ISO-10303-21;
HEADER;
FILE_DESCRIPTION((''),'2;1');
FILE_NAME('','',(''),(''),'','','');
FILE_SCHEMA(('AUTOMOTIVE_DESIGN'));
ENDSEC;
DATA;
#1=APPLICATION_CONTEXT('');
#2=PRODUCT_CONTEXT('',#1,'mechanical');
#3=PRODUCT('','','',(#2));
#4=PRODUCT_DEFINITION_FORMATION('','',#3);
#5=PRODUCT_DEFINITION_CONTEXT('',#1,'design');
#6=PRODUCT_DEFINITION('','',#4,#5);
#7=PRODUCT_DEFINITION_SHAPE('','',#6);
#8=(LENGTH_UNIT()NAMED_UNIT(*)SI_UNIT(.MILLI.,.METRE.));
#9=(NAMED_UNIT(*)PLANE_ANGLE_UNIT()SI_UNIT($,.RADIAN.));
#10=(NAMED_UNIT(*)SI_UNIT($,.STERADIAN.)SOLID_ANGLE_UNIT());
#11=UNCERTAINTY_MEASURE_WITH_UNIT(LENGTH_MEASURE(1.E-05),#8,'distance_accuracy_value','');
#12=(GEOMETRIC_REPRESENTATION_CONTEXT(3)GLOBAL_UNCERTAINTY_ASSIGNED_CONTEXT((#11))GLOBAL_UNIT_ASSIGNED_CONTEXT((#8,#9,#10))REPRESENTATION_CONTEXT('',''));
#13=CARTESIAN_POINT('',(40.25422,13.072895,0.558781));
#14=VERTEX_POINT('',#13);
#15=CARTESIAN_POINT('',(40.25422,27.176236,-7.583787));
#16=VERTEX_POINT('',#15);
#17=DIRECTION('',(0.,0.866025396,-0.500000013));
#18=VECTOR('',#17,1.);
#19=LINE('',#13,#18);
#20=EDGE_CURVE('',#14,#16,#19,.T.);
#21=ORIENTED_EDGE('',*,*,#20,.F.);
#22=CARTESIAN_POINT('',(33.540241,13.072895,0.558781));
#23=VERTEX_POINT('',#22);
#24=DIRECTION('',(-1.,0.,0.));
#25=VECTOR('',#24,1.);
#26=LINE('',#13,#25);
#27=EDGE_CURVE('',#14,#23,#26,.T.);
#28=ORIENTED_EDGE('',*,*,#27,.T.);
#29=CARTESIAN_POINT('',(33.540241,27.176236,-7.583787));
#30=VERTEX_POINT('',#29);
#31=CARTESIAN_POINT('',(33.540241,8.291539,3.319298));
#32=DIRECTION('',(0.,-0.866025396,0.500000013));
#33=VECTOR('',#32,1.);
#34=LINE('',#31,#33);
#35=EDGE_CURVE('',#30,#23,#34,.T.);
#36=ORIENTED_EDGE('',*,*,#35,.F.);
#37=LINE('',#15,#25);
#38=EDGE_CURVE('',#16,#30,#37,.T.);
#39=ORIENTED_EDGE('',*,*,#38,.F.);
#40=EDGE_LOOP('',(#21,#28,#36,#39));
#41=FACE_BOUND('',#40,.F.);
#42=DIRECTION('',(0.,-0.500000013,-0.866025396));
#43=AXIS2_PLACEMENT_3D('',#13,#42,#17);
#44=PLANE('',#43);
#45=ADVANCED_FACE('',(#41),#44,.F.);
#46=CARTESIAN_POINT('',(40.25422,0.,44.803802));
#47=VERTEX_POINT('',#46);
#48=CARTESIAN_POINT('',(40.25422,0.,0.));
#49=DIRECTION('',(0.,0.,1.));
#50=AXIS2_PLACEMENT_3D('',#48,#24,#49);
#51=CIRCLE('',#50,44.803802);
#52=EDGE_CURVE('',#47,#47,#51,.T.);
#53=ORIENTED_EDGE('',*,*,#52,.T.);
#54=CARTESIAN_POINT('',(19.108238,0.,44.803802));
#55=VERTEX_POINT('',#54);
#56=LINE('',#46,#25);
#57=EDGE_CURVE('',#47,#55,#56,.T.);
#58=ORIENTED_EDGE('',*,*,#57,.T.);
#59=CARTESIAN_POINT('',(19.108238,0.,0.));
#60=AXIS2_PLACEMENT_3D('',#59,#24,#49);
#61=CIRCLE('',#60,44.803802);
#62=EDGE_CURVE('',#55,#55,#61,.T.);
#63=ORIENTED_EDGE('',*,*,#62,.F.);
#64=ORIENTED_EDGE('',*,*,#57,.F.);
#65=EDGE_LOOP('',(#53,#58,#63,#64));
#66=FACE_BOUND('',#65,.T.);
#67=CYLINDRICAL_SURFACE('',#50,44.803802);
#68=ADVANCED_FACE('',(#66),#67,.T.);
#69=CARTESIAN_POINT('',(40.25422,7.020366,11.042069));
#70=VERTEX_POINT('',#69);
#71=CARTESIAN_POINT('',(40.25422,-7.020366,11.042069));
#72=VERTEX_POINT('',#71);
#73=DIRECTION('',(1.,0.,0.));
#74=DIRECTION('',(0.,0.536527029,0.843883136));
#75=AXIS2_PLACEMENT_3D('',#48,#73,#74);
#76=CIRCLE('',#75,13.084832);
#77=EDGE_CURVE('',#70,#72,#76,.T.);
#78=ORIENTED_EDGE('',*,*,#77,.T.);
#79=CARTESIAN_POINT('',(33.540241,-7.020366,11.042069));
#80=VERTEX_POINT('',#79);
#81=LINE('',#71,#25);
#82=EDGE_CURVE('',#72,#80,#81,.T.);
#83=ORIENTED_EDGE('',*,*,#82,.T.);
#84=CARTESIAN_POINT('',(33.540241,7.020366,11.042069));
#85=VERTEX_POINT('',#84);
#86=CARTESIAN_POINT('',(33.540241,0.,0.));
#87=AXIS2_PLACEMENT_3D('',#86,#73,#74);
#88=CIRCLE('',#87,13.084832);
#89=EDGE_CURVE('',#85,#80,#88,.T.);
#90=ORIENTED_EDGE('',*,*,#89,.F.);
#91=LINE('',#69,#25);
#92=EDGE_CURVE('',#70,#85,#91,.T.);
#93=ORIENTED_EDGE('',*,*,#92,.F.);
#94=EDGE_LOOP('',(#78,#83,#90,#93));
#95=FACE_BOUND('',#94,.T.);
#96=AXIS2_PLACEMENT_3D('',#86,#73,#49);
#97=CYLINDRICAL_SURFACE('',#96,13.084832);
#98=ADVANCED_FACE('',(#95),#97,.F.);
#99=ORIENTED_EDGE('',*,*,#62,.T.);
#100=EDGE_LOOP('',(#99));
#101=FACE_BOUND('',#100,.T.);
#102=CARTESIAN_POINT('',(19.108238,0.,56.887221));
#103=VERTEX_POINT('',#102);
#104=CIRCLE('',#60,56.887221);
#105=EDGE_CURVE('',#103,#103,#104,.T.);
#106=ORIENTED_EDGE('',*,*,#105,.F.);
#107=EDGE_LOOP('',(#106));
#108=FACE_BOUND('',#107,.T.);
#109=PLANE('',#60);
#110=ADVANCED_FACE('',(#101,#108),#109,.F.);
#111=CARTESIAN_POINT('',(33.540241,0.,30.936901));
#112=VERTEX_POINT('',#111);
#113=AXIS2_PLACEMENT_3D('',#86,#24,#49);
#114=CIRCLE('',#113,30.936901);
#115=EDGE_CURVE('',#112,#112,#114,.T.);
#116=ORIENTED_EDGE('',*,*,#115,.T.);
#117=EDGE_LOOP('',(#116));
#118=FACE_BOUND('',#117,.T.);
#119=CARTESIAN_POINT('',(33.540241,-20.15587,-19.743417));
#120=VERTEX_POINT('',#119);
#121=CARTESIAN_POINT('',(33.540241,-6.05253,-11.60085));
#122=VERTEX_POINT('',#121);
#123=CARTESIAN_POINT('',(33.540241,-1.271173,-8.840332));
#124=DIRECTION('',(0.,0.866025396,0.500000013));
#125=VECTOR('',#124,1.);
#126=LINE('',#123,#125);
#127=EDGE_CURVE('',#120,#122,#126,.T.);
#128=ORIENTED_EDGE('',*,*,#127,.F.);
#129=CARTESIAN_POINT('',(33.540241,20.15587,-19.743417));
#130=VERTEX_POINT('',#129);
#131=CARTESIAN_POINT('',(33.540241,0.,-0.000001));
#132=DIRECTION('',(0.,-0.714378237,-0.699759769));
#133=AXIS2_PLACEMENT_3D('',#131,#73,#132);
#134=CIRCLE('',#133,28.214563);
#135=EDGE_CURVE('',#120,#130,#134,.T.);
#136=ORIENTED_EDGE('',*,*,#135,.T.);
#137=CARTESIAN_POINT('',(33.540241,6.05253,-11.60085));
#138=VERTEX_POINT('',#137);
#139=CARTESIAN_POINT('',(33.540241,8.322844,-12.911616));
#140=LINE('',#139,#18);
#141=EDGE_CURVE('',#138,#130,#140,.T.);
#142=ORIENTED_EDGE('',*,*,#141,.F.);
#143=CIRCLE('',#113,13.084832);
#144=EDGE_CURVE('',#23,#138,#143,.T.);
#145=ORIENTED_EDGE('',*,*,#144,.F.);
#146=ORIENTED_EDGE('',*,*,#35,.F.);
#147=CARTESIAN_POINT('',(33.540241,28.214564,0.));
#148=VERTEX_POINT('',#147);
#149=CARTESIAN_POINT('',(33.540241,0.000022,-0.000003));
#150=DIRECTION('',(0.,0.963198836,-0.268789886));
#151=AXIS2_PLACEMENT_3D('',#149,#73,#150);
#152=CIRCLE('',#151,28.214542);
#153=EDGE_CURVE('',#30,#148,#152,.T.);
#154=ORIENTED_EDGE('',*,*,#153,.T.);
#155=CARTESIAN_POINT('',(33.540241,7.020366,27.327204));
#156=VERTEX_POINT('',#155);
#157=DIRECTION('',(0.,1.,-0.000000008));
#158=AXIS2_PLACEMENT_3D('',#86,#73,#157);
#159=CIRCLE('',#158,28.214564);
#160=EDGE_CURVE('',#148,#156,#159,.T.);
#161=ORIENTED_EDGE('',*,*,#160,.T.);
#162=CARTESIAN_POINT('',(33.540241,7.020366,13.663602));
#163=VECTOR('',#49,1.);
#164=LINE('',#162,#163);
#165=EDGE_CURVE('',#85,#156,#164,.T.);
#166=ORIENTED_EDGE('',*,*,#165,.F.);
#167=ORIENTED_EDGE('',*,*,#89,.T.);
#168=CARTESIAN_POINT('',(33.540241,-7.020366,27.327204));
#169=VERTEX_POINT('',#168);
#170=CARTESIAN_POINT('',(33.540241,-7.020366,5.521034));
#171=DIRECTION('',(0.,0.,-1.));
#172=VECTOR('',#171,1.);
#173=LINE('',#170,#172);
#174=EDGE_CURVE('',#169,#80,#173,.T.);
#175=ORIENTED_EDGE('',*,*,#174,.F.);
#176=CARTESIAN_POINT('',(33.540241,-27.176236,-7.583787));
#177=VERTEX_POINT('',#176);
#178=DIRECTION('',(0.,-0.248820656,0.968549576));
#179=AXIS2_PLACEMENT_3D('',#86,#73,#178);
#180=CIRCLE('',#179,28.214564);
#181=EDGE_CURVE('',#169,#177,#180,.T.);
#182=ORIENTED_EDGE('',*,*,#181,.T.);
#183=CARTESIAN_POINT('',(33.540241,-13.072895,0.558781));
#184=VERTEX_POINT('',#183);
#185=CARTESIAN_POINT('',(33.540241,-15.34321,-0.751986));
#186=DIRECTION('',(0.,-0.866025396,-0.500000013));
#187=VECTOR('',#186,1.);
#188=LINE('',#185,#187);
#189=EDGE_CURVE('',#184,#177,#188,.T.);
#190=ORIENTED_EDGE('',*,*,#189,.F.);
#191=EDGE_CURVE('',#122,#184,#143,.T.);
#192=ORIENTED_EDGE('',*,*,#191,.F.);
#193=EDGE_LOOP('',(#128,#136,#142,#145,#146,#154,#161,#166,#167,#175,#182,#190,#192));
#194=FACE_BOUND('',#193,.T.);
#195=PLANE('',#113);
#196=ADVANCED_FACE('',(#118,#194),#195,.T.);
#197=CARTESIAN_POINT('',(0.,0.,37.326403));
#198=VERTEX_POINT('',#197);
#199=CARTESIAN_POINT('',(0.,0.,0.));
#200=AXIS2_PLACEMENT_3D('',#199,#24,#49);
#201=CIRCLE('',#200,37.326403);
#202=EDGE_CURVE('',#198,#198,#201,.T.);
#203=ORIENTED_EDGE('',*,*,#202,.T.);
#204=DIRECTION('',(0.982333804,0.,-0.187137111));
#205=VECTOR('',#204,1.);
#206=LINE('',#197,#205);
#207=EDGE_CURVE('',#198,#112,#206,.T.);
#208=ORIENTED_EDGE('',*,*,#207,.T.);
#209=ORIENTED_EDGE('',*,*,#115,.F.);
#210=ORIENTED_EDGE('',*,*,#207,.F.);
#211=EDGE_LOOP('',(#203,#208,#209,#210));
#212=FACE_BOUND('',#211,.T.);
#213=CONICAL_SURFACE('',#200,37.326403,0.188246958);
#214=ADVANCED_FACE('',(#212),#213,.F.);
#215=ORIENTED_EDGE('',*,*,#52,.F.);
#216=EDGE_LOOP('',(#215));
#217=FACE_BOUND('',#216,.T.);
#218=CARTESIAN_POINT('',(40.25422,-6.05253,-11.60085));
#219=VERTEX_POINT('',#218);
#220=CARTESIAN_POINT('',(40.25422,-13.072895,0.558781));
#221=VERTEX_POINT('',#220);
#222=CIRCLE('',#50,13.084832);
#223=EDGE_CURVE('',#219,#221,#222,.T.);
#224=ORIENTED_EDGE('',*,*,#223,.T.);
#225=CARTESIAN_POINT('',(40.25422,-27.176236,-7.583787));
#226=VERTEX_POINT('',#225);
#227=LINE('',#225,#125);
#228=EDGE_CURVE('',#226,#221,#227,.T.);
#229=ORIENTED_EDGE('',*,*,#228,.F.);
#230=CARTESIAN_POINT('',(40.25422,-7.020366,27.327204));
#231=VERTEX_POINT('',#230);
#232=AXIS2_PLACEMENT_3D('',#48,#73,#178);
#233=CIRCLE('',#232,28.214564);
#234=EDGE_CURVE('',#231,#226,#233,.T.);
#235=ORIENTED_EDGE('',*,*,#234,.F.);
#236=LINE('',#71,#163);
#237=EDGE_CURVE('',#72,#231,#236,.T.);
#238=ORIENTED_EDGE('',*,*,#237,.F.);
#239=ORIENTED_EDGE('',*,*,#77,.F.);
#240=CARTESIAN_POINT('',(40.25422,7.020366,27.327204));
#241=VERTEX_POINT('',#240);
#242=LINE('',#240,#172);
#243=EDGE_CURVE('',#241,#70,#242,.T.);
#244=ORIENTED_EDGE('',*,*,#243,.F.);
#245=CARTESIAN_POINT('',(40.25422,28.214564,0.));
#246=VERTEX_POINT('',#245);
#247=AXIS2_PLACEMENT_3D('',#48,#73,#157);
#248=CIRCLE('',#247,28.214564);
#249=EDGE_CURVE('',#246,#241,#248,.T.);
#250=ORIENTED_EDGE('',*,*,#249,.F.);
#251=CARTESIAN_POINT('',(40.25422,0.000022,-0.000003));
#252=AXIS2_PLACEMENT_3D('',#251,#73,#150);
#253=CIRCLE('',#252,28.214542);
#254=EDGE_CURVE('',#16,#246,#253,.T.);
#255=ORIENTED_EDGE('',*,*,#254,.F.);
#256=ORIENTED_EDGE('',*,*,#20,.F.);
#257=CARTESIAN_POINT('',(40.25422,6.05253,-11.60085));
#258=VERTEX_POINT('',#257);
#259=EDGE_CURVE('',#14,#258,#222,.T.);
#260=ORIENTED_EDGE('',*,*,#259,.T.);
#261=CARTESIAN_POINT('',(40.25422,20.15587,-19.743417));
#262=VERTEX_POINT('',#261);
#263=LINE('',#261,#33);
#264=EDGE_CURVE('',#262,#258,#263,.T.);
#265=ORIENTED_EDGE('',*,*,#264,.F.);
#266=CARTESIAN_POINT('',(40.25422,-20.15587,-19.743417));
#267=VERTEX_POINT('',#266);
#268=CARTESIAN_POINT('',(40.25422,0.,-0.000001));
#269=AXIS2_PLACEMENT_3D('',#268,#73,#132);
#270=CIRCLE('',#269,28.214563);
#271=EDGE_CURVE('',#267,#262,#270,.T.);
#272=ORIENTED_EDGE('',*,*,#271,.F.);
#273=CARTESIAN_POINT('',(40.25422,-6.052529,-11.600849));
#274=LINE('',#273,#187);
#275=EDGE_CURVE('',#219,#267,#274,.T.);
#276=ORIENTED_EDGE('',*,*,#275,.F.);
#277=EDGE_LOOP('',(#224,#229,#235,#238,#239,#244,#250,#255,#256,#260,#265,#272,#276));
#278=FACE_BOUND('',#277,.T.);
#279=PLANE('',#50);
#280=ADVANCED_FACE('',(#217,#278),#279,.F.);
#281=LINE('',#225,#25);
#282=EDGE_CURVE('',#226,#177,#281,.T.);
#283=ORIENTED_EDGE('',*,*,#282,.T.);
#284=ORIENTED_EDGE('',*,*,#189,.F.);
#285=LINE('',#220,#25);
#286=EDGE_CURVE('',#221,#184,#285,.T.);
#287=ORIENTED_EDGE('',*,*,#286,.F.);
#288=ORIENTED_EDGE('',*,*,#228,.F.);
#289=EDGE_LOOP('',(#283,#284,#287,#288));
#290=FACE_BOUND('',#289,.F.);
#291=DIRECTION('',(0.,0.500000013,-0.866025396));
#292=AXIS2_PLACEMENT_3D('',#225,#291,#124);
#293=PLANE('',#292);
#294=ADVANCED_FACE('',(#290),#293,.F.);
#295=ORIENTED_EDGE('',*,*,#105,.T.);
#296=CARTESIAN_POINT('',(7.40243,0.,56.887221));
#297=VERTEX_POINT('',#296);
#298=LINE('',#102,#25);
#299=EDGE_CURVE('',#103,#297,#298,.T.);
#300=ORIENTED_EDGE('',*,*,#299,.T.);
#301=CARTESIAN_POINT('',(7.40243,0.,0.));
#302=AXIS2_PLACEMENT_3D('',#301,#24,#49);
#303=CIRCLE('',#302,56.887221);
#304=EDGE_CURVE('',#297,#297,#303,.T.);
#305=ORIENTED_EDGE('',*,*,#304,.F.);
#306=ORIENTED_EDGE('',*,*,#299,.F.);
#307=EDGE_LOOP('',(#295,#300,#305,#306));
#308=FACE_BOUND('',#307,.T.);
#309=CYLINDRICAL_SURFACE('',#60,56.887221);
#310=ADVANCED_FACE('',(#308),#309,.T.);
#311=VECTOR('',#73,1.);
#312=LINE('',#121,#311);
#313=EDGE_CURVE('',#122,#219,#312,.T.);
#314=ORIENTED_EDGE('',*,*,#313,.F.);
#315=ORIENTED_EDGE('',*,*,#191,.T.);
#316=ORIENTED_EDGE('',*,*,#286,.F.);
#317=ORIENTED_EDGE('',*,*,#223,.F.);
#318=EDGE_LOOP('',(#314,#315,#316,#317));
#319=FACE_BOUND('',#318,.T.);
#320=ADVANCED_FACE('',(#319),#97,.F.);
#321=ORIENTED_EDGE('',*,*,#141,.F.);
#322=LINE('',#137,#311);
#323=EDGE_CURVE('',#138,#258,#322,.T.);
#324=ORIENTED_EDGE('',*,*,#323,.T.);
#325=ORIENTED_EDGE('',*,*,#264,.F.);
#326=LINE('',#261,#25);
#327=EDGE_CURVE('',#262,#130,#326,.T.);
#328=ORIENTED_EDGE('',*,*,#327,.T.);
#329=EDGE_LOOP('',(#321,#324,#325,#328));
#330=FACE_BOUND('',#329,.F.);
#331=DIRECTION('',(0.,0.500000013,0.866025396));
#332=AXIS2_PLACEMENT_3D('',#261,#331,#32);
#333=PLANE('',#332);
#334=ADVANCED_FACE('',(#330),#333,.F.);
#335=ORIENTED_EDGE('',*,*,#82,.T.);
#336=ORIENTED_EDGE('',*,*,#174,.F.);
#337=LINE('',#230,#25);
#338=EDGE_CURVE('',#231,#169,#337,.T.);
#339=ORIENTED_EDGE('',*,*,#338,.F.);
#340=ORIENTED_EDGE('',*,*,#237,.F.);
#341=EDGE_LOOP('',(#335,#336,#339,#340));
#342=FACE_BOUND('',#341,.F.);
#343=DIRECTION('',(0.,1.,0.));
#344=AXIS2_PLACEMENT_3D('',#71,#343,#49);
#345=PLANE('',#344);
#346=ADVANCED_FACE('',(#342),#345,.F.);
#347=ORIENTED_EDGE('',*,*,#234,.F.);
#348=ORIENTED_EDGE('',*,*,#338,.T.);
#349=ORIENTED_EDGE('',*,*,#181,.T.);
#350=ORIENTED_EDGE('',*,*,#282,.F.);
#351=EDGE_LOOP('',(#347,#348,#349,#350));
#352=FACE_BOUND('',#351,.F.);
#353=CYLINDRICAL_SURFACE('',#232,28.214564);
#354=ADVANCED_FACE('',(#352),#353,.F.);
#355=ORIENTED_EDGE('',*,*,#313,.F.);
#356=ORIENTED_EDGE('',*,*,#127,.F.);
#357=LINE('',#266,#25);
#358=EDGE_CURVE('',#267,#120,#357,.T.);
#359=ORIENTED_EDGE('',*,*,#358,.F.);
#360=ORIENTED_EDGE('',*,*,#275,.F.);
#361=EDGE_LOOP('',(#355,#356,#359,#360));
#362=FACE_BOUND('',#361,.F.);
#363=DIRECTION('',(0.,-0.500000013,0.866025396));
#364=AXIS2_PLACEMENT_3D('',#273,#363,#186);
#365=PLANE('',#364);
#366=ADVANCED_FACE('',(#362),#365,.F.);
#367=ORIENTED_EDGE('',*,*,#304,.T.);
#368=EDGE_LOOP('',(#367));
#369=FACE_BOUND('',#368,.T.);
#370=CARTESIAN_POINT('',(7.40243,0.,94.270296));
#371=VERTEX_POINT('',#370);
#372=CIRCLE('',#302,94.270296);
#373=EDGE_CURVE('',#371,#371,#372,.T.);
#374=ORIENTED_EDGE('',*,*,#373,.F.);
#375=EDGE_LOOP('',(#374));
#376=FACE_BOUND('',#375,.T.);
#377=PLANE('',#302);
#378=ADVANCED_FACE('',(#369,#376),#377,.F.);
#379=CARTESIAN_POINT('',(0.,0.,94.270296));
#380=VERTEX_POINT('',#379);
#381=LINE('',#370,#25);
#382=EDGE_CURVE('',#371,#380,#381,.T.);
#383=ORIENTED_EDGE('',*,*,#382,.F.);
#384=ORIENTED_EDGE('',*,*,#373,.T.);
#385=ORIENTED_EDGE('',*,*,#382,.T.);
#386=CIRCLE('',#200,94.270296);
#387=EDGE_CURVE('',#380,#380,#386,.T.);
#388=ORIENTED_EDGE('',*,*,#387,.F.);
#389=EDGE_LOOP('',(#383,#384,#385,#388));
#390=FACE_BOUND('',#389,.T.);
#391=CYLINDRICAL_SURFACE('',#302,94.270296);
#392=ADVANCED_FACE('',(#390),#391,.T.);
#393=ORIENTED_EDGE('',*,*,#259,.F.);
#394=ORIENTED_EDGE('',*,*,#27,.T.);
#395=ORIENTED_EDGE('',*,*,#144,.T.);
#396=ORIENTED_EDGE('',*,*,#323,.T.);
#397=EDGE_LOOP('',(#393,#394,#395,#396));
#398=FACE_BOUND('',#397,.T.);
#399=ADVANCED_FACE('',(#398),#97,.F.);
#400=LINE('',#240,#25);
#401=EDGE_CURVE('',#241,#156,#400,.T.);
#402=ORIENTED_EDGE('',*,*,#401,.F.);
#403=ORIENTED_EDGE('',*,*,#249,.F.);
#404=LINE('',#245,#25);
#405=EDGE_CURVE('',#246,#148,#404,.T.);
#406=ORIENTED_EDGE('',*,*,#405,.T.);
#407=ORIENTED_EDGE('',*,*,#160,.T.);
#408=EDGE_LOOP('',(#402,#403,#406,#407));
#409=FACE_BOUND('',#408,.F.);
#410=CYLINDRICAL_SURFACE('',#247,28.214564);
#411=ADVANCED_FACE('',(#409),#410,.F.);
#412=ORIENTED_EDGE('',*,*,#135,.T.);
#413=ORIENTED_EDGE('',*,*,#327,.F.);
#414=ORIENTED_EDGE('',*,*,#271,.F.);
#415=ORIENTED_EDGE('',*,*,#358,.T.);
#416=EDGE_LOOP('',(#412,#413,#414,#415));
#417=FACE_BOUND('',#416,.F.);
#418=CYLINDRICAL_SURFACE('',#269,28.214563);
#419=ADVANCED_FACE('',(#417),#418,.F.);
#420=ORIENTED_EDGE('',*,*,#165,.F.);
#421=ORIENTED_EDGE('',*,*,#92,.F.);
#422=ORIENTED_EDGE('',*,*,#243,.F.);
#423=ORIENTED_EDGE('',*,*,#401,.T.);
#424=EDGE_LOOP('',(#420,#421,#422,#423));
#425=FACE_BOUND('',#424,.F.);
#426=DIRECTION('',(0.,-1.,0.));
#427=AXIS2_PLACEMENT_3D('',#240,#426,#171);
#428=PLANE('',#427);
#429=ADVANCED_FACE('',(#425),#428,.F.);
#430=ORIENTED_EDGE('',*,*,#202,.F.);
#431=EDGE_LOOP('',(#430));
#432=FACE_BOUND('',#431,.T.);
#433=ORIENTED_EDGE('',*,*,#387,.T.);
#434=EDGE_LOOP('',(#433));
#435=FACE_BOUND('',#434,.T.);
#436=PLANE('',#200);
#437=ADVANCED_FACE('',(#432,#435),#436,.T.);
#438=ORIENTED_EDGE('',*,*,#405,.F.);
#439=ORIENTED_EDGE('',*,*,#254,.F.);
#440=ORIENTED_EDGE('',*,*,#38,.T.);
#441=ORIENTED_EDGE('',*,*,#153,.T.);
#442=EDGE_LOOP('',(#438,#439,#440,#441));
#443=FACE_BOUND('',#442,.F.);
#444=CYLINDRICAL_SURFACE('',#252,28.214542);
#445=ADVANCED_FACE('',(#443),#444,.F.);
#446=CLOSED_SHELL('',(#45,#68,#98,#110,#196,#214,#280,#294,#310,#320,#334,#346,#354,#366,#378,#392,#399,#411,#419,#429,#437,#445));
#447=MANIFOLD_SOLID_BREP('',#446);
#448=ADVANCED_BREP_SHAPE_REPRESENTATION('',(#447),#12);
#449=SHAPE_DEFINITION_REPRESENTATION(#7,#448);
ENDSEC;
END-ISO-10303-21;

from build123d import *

# Parameters (mm, degrees)
F3_DEPTH = 40.25522


with BuildPart() as f1:
    # F0 (on Front) → F1 (revolve)
    with BuildSketch(Plane.XZ):
        Polygon((7.40243, 94.270296), (0, 94.270296), (0, 37.326403), (33.540241, 30.936901), (33.540241, 13.084832), (40.25422, 13.084832), (40.25422, 44.803802), (19.108238, 44.803802), (19.108238, 56.887221), (7.40243, 56.887221), align=None)
    revolve(axis=Axis((-91.157697, 0, 0), (-1, 0, 0)))

    # F2 (on face) → F3 (cut, through all)
    with BuildSketch(Plane.YZ.offset(40.25422)):
        with BuildLine():
            Line((-7.020366, 11.042069), (-7.020366, 27.327204))
            ThreePointArc((-7.020366, 27.327204), (-24.434529, 14.107282), (-27.176236, -7.583787))
            Line((-27.176236, -7.583787), (-13.072895, 0.558781))
            ThreePointArc((-13.072895, 0.558781), (-11.331797, 6.542416), (-7.020366, 11.042069))
        make_face()
        with BuildLine():
            Line((-6.052529, -11.600849), (-20.15587, -19.743417))
            ThreePointArc((-20.15587, -19.743417), (0, -28.214564), (20.15587, -19.743417))
            Line((20.15587, -19.743417), (6.052529, -11.600849))
            ThreePointArc((6.052529, -11.600849), (0, -13.084832), (-6.052529, -11.600849))
        make_face()
        with BuildLine():
            ThreePointArc((28.214564, 0), (22.295046, 17.291401), (7.020366, 27.327204))
            Line((7.020366, 27.327204), (7.020366, 11.042069))
            ThreePointArc((7.020366, 11.042069), (11.331797, 6.542416), (13.072895, 0.558781))
            Line((13.072895, 0.558781), (27.176236, -7.583787))
            ThreePointArc((27.176236, -7.583787), (27.953777, -3.827269), (28.214564, 0))
        make_face()
    extrude(amount=-F3_DEPTH, mode=Mode.SUBTRACT)


solid = f1.part
